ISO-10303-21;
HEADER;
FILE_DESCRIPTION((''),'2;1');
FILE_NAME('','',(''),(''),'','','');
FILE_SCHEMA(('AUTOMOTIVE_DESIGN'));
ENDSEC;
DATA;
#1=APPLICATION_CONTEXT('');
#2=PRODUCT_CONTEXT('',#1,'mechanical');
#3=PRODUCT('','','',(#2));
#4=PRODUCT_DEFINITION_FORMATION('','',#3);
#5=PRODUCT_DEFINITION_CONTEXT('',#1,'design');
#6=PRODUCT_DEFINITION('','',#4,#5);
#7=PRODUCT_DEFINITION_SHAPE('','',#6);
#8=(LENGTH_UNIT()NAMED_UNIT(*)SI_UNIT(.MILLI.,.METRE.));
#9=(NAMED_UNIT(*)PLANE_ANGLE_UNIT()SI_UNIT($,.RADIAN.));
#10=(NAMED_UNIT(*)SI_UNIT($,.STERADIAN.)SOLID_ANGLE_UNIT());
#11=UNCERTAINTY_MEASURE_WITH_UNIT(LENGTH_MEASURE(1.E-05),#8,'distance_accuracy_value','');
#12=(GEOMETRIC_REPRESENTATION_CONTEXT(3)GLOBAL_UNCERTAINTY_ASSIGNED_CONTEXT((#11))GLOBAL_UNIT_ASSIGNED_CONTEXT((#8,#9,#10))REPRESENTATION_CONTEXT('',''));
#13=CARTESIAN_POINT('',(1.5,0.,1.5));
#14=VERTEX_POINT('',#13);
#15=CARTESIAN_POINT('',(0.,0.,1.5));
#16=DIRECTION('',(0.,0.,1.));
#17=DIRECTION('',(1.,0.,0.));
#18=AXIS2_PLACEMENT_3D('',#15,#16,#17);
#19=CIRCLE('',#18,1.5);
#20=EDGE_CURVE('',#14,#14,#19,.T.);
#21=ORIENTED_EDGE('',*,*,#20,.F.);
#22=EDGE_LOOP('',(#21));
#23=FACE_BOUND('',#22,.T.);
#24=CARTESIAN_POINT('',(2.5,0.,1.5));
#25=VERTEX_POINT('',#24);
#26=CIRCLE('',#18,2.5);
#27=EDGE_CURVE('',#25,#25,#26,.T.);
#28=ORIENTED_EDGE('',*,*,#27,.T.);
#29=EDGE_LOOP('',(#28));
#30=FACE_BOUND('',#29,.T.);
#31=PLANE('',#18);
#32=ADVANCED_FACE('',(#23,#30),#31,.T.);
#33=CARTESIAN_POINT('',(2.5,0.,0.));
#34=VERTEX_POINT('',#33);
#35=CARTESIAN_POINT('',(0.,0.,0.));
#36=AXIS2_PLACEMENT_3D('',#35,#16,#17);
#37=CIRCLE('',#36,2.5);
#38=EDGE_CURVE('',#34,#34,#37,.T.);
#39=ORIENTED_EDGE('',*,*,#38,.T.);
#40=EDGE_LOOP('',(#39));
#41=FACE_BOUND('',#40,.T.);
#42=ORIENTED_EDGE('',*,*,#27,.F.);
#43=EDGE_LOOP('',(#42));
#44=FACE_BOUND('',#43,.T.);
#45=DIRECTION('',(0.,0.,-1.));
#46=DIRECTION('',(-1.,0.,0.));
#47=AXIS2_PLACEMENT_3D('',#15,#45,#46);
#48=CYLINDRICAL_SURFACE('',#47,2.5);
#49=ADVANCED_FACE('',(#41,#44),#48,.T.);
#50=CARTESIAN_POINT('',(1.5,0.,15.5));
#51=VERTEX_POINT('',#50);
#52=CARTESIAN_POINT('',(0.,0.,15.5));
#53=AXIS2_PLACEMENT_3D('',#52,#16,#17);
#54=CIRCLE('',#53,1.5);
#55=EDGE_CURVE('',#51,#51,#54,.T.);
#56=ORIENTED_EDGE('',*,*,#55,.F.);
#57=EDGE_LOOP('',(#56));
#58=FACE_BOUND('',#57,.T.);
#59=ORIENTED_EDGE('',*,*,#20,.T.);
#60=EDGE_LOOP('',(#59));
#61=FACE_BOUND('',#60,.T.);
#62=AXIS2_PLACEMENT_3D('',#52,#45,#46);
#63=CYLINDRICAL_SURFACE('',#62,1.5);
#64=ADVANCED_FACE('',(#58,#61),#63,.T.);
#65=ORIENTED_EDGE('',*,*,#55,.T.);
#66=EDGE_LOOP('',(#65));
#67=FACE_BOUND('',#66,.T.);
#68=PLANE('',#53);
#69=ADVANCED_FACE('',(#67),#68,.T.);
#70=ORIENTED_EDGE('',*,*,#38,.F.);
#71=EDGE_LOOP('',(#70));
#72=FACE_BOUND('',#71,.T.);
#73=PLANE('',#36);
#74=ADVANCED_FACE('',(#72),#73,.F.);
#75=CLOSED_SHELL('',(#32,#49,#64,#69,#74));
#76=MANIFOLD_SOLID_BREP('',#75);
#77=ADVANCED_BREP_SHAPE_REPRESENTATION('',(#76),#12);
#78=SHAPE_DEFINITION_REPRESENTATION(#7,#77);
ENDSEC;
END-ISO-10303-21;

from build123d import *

# Parameters (mm, degrees)
SKETCH1_R           = 2.5
BOSS_EXTRUDE2_DEPTH = 1.5
SKETCH4_R           = 1.5
BOSS_EXTRUDE3_DEPTH = 14


with BuildPart() as part:
    # Sketch1 → Boss-Extrude2 (new body)
    with BuildSketch(Plane.XY):
        Circle(SKETCH1_R)
    extrude(amount=BOSS_EXTRUDE2_DEPTH)

    # Sketch4 → Boss-Extrude3 (add)
    with BuildSketch(Plane.XY.offset(1.5)):
        Circle(SKETCH4_R)
    extrude(amount=BOSS_EXTRUDE3_DEPTH)


solid = part.part
